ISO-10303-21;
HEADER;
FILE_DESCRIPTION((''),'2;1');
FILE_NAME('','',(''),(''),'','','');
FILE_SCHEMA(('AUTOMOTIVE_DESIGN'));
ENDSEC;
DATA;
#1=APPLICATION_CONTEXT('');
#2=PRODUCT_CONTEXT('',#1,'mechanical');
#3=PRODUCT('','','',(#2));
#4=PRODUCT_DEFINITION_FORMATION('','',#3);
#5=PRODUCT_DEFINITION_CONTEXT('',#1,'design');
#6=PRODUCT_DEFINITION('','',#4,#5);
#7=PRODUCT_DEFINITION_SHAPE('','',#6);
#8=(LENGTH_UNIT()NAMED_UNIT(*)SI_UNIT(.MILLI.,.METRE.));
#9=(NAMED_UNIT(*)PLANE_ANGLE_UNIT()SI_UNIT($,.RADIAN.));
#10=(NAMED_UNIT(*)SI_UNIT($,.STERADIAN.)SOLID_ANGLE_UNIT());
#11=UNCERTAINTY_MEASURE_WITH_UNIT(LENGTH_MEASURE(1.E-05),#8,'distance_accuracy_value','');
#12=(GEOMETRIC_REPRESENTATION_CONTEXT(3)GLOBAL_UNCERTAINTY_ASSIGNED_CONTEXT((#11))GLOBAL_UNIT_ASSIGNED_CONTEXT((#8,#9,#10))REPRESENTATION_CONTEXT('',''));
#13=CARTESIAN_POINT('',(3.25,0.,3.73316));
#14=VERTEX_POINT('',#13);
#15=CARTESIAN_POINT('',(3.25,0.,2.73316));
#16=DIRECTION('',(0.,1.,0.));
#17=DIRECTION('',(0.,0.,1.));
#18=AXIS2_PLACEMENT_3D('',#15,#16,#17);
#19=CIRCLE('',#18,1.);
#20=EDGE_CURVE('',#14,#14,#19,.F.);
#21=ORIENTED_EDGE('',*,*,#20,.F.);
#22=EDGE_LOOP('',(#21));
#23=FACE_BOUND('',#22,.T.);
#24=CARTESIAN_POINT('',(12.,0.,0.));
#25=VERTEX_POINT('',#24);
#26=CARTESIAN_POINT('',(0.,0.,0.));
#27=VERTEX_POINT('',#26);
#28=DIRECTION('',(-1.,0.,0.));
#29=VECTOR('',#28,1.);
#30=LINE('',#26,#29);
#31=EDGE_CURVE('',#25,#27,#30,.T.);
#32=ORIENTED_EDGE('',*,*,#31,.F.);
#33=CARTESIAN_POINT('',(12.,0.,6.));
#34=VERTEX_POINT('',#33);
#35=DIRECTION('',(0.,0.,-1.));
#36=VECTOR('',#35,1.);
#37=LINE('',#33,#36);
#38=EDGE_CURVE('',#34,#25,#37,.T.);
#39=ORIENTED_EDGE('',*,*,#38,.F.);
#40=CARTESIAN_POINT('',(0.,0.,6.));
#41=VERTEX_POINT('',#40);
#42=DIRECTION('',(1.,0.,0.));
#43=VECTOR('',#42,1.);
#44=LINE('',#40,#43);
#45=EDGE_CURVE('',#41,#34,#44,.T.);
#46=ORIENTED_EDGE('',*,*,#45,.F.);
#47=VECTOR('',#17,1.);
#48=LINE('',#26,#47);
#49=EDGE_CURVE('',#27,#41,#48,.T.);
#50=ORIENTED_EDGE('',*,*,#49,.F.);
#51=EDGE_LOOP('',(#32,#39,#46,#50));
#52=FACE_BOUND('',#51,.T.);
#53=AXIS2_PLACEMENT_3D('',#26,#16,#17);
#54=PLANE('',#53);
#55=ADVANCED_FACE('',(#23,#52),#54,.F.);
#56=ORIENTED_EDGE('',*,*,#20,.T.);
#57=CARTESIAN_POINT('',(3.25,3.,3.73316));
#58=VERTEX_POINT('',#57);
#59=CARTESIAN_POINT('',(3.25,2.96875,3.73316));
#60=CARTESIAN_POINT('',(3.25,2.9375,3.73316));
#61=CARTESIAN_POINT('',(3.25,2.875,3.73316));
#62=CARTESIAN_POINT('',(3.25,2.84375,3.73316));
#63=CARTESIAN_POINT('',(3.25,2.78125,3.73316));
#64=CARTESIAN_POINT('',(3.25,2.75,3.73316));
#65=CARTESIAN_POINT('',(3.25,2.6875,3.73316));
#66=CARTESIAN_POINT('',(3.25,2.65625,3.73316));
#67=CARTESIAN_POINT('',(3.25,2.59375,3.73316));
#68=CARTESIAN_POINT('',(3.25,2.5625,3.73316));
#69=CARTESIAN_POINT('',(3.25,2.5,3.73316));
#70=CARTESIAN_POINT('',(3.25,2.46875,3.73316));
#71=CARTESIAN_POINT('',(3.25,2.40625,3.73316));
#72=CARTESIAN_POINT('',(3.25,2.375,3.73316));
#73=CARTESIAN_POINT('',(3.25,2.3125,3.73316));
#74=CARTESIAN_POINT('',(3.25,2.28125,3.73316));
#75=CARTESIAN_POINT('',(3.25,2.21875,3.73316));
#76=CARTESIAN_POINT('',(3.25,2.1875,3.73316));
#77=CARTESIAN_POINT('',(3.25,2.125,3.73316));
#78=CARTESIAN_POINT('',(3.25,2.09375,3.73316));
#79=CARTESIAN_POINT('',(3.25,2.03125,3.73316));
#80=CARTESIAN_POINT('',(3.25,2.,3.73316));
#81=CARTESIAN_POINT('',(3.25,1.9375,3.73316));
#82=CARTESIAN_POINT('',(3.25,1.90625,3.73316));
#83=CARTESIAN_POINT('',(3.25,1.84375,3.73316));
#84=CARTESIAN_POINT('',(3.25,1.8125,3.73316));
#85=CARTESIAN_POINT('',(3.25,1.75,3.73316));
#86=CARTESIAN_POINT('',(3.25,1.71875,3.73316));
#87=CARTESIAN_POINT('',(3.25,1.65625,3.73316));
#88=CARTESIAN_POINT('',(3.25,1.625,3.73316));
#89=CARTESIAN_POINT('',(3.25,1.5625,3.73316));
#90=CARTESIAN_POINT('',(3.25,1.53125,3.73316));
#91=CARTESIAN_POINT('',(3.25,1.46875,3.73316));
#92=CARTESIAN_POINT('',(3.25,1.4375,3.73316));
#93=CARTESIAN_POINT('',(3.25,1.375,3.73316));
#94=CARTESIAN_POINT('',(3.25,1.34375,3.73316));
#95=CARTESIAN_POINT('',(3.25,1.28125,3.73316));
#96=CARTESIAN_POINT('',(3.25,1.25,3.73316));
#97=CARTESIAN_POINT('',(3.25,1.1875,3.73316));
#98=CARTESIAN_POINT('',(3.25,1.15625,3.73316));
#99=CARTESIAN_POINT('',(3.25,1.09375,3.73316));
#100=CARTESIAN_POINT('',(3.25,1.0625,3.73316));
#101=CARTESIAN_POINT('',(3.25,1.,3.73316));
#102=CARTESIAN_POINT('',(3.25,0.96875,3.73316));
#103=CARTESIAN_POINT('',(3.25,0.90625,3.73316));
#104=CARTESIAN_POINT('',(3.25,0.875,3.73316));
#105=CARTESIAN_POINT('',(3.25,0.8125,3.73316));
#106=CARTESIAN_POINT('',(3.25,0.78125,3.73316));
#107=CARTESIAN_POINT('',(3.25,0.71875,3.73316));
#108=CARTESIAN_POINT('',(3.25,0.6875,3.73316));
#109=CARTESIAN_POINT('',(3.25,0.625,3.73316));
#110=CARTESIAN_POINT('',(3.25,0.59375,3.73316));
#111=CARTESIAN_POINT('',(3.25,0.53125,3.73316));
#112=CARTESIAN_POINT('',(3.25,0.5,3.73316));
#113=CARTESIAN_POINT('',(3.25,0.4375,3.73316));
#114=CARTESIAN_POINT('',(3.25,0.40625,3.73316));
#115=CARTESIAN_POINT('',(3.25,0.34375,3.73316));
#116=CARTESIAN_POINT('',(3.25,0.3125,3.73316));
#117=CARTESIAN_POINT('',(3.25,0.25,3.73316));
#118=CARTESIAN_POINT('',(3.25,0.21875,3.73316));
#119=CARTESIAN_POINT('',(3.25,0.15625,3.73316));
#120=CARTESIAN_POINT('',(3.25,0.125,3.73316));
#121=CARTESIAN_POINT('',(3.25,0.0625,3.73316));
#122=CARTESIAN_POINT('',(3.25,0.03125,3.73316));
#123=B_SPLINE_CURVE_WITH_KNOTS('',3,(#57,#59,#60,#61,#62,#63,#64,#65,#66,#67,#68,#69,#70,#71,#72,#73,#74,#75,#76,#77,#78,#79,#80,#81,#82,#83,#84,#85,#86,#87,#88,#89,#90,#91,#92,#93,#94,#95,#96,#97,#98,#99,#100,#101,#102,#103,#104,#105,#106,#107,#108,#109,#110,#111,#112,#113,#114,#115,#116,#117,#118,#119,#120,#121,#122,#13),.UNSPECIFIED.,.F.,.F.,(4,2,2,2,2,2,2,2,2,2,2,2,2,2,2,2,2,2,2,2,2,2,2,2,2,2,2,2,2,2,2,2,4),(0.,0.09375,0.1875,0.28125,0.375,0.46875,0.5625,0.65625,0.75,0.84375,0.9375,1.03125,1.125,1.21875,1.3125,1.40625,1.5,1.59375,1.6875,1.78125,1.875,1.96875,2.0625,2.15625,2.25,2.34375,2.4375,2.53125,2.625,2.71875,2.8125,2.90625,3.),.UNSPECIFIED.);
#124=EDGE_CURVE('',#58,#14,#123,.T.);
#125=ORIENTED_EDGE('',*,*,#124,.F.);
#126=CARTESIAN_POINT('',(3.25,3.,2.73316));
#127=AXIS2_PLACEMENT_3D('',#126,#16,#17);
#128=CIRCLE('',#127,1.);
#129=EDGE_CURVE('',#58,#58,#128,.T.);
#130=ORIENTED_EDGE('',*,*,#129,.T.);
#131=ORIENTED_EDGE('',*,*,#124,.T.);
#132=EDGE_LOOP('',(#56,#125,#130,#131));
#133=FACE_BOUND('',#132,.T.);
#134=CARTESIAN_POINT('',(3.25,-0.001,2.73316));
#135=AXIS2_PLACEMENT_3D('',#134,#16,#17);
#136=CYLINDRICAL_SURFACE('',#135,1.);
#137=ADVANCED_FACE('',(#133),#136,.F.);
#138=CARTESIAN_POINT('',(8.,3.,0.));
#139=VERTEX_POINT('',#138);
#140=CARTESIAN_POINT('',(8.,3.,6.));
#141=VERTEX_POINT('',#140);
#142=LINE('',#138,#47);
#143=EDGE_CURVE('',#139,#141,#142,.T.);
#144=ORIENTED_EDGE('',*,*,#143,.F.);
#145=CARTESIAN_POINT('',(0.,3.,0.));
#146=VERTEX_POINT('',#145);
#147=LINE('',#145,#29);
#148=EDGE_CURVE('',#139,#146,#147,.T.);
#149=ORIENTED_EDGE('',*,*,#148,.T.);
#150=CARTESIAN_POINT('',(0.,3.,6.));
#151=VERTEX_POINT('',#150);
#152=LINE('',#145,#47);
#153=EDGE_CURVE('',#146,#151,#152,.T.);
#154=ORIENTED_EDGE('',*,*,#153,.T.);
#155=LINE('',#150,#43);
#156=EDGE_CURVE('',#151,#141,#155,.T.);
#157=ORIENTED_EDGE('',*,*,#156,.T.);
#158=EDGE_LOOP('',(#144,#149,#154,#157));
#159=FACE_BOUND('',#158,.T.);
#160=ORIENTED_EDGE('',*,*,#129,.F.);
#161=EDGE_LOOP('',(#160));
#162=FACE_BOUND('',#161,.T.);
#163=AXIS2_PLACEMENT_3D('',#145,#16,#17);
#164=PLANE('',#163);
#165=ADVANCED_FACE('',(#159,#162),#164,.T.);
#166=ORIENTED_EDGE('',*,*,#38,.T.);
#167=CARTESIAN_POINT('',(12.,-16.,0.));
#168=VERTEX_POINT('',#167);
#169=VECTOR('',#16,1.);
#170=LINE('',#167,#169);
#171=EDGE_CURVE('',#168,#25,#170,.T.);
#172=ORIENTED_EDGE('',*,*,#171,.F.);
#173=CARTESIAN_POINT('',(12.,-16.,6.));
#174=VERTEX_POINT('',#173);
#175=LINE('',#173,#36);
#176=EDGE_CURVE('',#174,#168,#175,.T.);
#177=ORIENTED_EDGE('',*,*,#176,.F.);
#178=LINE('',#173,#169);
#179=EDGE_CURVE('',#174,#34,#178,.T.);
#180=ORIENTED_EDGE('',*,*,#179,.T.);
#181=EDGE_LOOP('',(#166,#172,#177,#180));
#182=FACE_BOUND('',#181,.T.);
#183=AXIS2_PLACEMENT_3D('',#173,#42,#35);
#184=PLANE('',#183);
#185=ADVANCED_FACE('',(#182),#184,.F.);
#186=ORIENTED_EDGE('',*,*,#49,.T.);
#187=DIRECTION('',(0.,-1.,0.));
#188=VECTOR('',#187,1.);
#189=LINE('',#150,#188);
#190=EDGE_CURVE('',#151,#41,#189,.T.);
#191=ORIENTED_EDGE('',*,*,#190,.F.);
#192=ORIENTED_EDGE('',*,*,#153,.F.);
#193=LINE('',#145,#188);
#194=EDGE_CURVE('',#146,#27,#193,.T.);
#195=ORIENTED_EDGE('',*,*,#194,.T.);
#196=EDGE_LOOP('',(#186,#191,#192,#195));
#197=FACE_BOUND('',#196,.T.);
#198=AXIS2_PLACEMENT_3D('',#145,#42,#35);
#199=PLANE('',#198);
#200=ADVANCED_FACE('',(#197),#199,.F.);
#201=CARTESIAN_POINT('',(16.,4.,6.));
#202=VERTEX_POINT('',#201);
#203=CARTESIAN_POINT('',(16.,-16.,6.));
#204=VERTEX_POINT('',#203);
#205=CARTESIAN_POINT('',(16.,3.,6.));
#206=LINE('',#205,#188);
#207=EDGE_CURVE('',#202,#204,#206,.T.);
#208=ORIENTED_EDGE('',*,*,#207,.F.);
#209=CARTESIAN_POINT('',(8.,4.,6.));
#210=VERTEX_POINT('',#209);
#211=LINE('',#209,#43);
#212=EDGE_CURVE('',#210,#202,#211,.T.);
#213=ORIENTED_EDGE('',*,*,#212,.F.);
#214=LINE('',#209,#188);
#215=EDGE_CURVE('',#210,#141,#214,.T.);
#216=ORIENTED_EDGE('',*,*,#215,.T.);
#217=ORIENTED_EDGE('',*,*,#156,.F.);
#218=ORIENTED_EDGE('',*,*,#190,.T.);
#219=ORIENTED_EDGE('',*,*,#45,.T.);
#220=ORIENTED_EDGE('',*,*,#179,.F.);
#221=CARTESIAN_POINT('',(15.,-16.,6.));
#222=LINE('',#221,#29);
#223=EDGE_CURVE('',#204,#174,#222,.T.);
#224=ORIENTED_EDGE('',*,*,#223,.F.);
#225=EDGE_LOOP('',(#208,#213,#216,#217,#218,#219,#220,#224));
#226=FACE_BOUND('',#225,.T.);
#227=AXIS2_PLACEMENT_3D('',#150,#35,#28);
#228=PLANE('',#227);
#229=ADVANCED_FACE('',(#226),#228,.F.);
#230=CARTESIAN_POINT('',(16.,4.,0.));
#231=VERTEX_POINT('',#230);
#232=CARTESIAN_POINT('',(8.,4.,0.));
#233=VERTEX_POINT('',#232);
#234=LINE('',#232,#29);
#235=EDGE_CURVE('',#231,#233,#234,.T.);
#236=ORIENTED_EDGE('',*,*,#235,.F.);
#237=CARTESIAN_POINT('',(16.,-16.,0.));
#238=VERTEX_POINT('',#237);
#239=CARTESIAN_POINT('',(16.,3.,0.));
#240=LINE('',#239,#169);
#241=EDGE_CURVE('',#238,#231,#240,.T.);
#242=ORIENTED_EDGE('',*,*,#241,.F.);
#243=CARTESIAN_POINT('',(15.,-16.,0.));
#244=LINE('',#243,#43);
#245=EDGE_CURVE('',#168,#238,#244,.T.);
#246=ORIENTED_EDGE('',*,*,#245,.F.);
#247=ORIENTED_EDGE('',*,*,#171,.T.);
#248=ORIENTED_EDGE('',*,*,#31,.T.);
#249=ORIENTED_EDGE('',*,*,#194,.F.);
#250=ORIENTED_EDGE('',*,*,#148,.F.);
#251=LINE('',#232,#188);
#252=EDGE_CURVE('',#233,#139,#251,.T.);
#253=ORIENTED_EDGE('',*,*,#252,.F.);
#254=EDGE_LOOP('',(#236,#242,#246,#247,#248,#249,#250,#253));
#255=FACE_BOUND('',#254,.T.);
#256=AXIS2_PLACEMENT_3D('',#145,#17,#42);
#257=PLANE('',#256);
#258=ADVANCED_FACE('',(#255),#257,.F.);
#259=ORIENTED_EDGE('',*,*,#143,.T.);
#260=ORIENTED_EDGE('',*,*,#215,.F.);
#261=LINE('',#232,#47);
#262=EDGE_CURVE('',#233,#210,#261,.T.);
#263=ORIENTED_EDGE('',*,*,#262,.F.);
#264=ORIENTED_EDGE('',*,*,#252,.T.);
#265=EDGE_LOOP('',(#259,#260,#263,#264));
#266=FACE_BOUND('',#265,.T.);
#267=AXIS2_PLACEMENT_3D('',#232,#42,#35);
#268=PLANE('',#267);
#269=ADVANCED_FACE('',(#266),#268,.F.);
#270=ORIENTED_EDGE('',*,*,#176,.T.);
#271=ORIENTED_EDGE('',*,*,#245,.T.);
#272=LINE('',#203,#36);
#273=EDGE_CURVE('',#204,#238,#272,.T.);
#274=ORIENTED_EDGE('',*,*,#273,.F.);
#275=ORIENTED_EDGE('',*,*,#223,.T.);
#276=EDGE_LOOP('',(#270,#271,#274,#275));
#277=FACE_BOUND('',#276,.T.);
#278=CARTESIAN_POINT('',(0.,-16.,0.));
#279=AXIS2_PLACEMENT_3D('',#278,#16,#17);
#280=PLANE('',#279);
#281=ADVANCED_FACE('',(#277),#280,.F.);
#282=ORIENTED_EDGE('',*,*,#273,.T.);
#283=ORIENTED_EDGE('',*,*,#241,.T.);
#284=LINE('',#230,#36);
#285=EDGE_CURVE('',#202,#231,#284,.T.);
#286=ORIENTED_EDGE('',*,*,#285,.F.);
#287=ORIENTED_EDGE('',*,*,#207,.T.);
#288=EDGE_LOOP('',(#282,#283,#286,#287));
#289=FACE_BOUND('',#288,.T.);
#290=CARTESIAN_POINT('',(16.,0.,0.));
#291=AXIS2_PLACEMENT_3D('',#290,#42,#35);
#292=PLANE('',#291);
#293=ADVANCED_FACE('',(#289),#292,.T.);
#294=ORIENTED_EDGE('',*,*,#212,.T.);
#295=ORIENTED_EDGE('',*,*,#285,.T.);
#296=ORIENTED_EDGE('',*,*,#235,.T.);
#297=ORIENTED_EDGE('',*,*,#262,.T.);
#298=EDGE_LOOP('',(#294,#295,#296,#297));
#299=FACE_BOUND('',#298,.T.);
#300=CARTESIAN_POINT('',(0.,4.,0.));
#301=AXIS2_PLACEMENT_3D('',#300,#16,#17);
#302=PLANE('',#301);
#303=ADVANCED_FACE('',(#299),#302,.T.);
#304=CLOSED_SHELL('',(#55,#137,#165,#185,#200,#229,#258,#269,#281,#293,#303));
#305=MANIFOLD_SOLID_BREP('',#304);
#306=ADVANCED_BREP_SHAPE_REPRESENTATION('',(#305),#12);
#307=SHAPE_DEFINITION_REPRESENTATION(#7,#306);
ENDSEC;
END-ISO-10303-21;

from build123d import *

# Parameters (mm, degrees)
SKETCH1_W           = 15
SKETCH1_H           = 6
BOSS_EXTRUDE1_DEPTH = 3
CUT_EXTRUDE1_REACH  = 18.432
SKETCH2_R           = 1
SKETCH3_W           = 3
SKETCH3_H           = 6
BOSS_EXTRUDE2_DEPTH = 16
SKETCH4_W           = 6
SKETCH4_H           = 19
BOSS_EXTRUDE3_DEPTH = 1
SKETCH5_W           = 8
SKETCH5_H           = 6
BOSS_EXTRUDE4_DEPTH = 1


with BuildPart() as part:
    # Sketch1 → Boss-Extrude1 (new body)
    with BuildSketch(Plane(origin=(0, 0, 0), x_dir=(1, 0, 0), z_dir=(0, 1, 0))):
        with Locations((7.5, -3)):
            Rectangle(SKETCH1_W, SKETCH1_H)
    extrude(amount=BOSS_EXTRUDE1_DEPTH)

    # Sketch2 → Cut-Extrude1 (cut, up to next)
    with BuildSketch(Plane(origin=(0, 3, 0), x_dir=(1, 0, 0), z_dir=(0, 1, 0)), mode=Mode.PRIVATE) as cut_extrude1_sk1:
        with Locations(Location((3.25, -2.733160164, 0), (0, 0, 270))):
            Circle(SKETCH2_R)
    cut_extrude1_tool1 = extrude(cut_extrude1_sk1.sketch, amount=-CUT_EXTRUDE1_REACH, mode=Mode.PRIVATE) & part.part
    add(cut_extrude1_tool1.solids().sort_by_distance((3.25, 3, 2.73316))[0], mode=Mode.SUBTRACT)

    # Sketch3 → Boss-Extrude2 (add)
    with BuildSketch(Plane.XZ):
        with Locations((13.5, 3)):
            Rectangle(SKETCH3_W, SKETCH3_H)
    extrude(amount=BOSS_EXTRUDE2_DEPTH)

    # Sketch4 → Boss-Extrude3 (add)
    with BuildSketch(Plane(origin=(15, 0, 0), x_dir=(0, 0, -1), z_dir=(1, 0, 0))):
        with Locations((-3, -6.5)):
            Rectangle(SKETCH4_W, SKETCH4_H)
    extrude(amount=BOSS_EXTRUDE3_DEPTH)

    # Sketch5 → Boss-Extrude4 (add)
    with BuildSketch(Plane(origin=(0, 3, 0), x_dir=(1, 0, 0), z_dir=(0, 1, 0))):
        with Locations((12, -3)):
            Rectangle(SKETCH5_W, SKETCH5_H)
    extrude(amount=BOSS_EXTRUDE4_DEPTH)


solid = part.part
